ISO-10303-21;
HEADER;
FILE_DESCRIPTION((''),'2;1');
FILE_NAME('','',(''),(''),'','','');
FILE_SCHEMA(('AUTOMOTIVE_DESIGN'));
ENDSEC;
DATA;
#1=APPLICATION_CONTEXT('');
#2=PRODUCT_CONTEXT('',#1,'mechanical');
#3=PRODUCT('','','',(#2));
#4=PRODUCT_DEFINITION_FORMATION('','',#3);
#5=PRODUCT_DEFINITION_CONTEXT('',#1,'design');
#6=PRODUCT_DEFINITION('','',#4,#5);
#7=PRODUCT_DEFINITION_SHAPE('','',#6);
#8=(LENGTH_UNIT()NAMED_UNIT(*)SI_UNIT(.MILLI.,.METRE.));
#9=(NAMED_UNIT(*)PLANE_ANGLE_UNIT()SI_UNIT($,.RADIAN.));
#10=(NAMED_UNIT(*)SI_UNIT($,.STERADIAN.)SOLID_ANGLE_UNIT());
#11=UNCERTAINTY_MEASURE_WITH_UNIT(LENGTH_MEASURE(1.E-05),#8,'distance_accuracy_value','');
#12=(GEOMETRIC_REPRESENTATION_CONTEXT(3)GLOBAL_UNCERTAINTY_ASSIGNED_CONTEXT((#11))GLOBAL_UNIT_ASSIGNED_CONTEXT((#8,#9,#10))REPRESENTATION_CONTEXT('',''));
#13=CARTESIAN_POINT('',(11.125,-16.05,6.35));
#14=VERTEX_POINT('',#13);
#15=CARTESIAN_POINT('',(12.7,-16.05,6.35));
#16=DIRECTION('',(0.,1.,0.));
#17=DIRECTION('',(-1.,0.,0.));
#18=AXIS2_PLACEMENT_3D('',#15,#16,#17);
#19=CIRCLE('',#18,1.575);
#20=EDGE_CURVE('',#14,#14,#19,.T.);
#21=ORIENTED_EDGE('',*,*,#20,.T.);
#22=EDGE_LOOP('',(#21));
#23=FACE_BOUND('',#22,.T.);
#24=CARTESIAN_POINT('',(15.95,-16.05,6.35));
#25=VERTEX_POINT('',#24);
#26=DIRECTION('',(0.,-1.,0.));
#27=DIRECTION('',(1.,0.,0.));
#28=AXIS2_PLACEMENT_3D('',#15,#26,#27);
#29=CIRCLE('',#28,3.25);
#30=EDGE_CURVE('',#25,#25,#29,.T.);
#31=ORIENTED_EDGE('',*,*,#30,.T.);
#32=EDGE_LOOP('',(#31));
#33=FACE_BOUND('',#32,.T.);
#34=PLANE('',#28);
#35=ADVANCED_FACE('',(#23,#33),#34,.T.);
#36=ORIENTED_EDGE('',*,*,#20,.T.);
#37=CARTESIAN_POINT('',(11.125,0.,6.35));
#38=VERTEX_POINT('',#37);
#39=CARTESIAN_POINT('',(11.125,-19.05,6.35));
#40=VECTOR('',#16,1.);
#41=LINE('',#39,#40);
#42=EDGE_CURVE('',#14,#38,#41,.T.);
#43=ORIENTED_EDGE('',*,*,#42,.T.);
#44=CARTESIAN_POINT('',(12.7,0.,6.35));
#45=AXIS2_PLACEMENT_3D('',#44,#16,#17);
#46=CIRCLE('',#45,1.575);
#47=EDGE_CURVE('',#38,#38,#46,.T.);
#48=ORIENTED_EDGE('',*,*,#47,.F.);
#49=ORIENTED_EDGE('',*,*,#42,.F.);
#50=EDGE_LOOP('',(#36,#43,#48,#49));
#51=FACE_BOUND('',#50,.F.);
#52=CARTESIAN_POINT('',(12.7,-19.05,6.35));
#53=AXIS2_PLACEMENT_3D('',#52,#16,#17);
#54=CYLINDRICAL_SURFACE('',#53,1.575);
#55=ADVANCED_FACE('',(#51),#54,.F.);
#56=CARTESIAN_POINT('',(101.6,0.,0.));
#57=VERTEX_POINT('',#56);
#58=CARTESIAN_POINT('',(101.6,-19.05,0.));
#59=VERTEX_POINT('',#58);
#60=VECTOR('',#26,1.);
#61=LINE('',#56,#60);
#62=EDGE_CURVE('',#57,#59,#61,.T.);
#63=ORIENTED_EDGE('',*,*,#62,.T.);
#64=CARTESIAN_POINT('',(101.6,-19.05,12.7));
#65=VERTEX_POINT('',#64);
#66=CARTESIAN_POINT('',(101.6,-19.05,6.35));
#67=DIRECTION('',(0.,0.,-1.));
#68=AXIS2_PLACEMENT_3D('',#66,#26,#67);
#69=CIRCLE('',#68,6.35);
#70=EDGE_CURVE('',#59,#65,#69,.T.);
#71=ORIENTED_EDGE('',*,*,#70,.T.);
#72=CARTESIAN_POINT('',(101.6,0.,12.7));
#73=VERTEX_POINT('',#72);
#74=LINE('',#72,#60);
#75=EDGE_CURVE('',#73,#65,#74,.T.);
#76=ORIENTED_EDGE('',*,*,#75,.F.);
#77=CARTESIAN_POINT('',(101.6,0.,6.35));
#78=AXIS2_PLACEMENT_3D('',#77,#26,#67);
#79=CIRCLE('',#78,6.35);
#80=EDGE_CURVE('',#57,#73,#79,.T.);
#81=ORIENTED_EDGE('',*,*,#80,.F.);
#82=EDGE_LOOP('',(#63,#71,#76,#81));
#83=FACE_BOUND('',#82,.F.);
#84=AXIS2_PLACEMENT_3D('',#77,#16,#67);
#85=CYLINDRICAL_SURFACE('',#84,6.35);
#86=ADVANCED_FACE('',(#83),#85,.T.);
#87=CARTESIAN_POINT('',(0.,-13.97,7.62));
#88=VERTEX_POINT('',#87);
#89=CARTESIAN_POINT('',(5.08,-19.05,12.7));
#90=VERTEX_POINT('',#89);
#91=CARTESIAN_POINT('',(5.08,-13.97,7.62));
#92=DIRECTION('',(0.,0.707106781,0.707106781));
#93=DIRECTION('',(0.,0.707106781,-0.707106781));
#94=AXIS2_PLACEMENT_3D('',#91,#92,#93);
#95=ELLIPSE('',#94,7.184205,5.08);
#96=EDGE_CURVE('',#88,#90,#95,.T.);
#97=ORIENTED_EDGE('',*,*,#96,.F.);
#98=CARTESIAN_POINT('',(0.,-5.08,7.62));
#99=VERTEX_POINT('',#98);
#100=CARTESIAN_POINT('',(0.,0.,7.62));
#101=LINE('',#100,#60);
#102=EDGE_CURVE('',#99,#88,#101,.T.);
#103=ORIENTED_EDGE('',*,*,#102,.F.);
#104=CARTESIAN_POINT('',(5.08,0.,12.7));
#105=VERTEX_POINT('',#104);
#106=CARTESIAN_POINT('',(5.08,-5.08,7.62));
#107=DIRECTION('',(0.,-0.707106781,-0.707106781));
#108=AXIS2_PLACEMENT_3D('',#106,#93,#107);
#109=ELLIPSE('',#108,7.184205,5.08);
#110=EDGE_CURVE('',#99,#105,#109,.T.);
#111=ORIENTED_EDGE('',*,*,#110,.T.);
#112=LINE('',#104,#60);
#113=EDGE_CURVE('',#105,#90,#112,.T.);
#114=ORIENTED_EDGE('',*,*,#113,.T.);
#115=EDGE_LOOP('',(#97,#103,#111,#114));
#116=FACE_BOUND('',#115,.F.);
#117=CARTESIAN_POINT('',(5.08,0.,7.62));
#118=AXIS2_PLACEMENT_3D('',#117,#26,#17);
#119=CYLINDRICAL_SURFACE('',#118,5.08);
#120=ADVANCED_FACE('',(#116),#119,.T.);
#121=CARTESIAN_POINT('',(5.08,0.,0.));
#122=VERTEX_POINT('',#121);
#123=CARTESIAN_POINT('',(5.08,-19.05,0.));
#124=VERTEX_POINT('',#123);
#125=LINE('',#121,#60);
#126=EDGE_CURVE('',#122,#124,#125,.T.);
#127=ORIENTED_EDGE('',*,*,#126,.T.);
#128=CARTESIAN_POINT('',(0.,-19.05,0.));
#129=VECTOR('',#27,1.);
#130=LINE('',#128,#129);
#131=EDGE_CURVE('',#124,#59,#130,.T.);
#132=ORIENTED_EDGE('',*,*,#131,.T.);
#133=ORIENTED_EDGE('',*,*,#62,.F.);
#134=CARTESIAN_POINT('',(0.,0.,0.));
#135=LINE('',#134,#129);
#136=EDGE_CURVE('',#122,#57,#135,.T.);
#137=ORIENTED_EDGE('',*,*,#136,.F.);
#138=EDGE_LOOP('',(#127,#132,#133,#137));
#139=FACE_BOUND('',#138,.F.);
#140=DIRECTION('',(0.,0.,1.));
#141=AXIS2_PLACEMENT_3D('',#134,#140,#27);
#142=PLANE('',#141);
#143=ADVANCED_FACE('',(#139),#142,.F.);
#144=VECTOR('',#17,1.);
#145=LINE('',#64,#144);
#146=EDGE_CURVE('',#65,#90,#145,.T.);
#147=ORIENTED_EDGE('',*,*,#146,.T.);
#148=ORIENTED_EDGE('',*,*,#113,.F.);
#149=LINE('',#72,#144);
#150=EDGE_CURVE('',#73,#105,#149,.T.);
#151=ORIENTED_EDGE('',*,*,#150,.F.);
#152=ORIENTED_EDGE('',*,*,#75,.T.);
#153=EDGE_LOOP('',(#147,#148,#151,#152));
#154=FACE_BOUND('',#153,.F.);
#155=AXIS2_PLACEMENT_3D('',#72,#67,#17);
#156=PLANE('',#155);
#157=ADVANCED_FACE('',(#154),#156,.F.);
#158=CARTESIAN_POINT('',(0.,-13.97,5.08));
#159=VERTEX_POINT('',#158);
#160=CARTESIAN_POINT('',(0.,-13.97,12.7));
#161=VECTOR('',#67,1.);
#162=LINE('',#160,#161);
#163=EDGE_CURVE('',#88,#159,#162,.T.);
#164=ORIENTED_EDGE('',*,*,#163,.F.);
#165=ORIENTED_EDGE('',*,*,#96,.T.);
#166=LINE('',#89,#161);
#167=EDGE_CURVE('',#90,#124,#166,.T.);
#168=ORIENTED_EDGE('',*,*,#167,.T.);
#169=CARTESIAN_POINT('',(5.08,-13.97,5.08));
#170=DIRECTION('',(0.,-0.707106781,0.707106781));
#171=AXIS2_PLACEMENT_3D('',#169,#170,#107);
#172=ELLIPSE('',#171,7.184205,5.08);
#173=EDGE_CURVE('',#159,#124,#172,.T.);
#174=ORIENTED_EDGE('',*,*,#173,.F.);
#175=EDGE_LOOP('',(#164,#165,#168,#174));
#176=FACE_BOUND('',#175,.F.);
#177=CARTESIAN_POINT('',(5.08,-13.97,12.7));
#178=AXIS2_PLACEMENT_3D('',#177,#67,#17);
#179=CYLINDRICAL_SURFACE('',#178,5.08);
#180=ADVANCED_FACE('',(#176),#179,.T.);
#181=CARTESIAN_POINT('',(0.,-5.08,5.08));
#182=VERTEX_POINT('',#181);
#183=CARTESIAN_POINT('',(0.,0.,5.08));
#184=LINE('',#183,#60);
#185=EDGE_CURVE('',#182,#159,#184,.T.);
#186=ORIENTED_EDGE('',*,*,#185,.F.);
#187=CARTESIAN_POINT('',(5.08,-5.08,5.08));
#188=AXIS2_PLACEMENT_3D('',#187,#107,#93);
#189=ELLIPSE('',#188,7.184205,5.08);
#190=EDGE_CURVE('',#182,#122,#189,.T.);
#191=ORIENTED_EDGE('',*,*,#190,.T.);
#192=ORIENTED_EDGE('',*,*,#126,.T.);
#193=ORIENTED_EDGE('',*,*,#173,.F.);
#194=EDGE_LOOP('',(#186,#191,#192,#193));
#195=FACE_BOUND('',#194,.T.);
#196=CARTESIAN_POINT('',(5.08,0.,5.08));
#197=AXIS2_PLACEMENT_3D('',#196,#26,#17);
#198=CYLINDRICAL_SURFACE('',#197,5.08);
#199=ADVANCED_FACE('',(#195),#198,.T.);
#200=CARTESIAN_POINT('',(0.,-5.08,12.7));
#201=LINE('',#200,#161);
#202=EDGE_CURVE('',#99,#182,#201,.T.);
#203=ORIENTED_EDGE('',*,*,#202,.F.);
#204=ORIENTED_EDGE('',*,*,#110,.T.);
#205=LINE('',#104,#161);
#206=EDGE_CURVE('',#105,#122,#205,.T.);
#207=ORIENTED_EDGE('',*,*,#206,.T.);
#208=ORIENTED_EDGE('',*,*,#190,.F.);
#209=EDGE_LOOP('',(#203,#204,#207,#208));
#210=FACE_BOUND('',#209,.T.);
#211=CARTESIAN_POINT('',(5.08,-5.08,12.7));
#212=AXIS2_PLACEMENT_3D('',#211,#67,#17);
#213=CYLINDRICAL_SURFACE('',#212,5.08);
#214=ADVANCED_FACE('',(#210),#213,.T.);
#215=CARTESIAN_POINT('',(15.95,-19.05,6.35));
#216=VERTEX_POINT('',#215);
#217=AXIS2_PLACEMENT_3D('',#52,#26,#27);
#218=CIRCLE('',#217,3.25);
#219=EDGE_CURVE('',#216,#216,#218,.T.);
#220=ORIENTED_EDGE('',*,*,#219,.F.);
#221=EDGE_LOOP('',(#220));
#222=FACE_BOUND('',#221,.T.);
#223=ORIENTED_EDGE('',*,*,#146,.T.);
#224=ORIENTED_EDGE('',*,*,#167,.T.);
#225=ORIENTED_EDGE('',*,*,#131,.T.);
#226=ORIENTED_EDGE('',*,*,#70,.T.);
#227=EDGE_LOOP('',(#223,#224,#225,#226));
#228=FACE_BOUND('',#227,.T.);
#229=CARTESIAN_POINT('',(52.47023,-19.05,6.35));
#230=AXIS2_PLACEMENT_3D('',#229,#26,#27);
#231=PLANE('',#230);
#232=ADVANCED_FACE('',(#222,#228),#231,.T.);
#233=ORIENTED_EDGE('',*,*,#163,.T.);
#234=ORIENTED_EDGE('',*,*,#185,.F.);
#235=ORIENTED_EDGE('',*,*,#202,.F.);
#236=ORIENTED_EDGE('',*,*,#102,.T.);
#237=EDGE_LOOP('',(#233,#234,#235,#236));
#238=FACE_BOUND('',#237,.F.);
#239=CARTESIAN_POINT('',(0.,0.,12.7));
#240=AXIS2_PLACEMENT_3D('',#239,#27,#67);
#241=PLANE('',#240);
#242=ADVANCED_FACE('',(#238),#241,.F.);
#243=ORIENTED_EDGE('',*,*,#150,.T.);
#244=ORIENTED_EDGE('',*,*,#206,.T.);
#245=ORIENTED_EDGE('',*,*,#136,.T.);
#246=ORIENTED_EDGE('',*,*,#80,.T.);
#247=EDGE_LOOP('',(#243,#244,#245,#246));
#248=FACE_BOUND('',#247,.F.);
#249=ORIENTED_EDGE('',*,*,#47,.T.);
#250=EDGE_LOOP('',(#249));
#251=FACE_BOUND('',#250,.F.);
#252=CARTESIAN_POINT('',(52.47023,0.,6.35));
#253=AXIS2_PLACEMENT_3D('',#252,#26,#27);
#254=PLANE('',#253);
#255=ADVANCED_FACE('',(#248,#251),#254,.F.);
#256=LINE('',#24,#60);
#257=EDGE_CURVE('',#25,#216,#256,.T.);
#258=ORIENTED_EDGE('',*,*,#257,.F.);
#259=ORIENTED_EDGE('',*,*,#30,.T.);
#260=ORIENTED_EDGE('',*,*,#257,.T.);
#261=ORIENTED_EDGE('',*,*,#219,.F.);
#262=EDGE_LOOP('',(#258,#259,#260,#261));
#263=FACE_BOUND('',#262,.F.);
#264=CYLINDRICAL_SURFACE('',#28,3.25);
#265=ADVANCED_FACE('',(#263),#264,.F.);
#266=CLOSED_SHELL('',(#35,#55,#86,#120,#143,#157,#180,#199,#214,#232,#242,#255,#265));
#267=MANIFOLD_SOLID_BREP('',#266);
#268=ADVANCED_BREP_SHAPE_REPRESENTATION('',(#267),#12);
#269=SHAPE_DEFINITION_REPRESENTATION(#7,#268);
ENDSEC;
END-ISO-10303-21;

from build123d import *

# Parameters (mm, degrees)
F1_DEPTH       = 19.05
F2_R           = 5.08
F4_D           = 3.15
F4_CBORE_D     = 6.5
F4_CBORE_DEPTH = 3


with BuildPart() as f1:
    # F0 (on Front) → F1 (new body)
    with BuildSketch(Plane.XZ):
        with BuildLine():
            Line((0, 12.7), (0, 0))
            Line((0, 0), (101.6, 0))
            ThreePointArc((101.6, 0), (107.95, 6.35), (101.6, 12.7))
            Line((101.6, 12.7), (0, 12.7))
        make_face()
    extrude(amount=F1_DEPTH)

    # F2
    f2_edges = [f1.edges().sort_by_distance(p)[0] for p in [
        (0, -19.05, 6.35),
        (0, -9.525, 12.7),
        (0, 0, 6.35),
        (0, -9.525, 0),
    ]]
    fillet(f2_edges, radius=F2_R)

    # F4 (through all)
    with Locations(Plane.XZ.offset(19.05)):
        with Locations((12.7, 6.35)):
            CounterBoreHole(F4_D / 2, F4_CBORE_D / 2, F4_CBORE_DEPTH)


solid = f1.part
